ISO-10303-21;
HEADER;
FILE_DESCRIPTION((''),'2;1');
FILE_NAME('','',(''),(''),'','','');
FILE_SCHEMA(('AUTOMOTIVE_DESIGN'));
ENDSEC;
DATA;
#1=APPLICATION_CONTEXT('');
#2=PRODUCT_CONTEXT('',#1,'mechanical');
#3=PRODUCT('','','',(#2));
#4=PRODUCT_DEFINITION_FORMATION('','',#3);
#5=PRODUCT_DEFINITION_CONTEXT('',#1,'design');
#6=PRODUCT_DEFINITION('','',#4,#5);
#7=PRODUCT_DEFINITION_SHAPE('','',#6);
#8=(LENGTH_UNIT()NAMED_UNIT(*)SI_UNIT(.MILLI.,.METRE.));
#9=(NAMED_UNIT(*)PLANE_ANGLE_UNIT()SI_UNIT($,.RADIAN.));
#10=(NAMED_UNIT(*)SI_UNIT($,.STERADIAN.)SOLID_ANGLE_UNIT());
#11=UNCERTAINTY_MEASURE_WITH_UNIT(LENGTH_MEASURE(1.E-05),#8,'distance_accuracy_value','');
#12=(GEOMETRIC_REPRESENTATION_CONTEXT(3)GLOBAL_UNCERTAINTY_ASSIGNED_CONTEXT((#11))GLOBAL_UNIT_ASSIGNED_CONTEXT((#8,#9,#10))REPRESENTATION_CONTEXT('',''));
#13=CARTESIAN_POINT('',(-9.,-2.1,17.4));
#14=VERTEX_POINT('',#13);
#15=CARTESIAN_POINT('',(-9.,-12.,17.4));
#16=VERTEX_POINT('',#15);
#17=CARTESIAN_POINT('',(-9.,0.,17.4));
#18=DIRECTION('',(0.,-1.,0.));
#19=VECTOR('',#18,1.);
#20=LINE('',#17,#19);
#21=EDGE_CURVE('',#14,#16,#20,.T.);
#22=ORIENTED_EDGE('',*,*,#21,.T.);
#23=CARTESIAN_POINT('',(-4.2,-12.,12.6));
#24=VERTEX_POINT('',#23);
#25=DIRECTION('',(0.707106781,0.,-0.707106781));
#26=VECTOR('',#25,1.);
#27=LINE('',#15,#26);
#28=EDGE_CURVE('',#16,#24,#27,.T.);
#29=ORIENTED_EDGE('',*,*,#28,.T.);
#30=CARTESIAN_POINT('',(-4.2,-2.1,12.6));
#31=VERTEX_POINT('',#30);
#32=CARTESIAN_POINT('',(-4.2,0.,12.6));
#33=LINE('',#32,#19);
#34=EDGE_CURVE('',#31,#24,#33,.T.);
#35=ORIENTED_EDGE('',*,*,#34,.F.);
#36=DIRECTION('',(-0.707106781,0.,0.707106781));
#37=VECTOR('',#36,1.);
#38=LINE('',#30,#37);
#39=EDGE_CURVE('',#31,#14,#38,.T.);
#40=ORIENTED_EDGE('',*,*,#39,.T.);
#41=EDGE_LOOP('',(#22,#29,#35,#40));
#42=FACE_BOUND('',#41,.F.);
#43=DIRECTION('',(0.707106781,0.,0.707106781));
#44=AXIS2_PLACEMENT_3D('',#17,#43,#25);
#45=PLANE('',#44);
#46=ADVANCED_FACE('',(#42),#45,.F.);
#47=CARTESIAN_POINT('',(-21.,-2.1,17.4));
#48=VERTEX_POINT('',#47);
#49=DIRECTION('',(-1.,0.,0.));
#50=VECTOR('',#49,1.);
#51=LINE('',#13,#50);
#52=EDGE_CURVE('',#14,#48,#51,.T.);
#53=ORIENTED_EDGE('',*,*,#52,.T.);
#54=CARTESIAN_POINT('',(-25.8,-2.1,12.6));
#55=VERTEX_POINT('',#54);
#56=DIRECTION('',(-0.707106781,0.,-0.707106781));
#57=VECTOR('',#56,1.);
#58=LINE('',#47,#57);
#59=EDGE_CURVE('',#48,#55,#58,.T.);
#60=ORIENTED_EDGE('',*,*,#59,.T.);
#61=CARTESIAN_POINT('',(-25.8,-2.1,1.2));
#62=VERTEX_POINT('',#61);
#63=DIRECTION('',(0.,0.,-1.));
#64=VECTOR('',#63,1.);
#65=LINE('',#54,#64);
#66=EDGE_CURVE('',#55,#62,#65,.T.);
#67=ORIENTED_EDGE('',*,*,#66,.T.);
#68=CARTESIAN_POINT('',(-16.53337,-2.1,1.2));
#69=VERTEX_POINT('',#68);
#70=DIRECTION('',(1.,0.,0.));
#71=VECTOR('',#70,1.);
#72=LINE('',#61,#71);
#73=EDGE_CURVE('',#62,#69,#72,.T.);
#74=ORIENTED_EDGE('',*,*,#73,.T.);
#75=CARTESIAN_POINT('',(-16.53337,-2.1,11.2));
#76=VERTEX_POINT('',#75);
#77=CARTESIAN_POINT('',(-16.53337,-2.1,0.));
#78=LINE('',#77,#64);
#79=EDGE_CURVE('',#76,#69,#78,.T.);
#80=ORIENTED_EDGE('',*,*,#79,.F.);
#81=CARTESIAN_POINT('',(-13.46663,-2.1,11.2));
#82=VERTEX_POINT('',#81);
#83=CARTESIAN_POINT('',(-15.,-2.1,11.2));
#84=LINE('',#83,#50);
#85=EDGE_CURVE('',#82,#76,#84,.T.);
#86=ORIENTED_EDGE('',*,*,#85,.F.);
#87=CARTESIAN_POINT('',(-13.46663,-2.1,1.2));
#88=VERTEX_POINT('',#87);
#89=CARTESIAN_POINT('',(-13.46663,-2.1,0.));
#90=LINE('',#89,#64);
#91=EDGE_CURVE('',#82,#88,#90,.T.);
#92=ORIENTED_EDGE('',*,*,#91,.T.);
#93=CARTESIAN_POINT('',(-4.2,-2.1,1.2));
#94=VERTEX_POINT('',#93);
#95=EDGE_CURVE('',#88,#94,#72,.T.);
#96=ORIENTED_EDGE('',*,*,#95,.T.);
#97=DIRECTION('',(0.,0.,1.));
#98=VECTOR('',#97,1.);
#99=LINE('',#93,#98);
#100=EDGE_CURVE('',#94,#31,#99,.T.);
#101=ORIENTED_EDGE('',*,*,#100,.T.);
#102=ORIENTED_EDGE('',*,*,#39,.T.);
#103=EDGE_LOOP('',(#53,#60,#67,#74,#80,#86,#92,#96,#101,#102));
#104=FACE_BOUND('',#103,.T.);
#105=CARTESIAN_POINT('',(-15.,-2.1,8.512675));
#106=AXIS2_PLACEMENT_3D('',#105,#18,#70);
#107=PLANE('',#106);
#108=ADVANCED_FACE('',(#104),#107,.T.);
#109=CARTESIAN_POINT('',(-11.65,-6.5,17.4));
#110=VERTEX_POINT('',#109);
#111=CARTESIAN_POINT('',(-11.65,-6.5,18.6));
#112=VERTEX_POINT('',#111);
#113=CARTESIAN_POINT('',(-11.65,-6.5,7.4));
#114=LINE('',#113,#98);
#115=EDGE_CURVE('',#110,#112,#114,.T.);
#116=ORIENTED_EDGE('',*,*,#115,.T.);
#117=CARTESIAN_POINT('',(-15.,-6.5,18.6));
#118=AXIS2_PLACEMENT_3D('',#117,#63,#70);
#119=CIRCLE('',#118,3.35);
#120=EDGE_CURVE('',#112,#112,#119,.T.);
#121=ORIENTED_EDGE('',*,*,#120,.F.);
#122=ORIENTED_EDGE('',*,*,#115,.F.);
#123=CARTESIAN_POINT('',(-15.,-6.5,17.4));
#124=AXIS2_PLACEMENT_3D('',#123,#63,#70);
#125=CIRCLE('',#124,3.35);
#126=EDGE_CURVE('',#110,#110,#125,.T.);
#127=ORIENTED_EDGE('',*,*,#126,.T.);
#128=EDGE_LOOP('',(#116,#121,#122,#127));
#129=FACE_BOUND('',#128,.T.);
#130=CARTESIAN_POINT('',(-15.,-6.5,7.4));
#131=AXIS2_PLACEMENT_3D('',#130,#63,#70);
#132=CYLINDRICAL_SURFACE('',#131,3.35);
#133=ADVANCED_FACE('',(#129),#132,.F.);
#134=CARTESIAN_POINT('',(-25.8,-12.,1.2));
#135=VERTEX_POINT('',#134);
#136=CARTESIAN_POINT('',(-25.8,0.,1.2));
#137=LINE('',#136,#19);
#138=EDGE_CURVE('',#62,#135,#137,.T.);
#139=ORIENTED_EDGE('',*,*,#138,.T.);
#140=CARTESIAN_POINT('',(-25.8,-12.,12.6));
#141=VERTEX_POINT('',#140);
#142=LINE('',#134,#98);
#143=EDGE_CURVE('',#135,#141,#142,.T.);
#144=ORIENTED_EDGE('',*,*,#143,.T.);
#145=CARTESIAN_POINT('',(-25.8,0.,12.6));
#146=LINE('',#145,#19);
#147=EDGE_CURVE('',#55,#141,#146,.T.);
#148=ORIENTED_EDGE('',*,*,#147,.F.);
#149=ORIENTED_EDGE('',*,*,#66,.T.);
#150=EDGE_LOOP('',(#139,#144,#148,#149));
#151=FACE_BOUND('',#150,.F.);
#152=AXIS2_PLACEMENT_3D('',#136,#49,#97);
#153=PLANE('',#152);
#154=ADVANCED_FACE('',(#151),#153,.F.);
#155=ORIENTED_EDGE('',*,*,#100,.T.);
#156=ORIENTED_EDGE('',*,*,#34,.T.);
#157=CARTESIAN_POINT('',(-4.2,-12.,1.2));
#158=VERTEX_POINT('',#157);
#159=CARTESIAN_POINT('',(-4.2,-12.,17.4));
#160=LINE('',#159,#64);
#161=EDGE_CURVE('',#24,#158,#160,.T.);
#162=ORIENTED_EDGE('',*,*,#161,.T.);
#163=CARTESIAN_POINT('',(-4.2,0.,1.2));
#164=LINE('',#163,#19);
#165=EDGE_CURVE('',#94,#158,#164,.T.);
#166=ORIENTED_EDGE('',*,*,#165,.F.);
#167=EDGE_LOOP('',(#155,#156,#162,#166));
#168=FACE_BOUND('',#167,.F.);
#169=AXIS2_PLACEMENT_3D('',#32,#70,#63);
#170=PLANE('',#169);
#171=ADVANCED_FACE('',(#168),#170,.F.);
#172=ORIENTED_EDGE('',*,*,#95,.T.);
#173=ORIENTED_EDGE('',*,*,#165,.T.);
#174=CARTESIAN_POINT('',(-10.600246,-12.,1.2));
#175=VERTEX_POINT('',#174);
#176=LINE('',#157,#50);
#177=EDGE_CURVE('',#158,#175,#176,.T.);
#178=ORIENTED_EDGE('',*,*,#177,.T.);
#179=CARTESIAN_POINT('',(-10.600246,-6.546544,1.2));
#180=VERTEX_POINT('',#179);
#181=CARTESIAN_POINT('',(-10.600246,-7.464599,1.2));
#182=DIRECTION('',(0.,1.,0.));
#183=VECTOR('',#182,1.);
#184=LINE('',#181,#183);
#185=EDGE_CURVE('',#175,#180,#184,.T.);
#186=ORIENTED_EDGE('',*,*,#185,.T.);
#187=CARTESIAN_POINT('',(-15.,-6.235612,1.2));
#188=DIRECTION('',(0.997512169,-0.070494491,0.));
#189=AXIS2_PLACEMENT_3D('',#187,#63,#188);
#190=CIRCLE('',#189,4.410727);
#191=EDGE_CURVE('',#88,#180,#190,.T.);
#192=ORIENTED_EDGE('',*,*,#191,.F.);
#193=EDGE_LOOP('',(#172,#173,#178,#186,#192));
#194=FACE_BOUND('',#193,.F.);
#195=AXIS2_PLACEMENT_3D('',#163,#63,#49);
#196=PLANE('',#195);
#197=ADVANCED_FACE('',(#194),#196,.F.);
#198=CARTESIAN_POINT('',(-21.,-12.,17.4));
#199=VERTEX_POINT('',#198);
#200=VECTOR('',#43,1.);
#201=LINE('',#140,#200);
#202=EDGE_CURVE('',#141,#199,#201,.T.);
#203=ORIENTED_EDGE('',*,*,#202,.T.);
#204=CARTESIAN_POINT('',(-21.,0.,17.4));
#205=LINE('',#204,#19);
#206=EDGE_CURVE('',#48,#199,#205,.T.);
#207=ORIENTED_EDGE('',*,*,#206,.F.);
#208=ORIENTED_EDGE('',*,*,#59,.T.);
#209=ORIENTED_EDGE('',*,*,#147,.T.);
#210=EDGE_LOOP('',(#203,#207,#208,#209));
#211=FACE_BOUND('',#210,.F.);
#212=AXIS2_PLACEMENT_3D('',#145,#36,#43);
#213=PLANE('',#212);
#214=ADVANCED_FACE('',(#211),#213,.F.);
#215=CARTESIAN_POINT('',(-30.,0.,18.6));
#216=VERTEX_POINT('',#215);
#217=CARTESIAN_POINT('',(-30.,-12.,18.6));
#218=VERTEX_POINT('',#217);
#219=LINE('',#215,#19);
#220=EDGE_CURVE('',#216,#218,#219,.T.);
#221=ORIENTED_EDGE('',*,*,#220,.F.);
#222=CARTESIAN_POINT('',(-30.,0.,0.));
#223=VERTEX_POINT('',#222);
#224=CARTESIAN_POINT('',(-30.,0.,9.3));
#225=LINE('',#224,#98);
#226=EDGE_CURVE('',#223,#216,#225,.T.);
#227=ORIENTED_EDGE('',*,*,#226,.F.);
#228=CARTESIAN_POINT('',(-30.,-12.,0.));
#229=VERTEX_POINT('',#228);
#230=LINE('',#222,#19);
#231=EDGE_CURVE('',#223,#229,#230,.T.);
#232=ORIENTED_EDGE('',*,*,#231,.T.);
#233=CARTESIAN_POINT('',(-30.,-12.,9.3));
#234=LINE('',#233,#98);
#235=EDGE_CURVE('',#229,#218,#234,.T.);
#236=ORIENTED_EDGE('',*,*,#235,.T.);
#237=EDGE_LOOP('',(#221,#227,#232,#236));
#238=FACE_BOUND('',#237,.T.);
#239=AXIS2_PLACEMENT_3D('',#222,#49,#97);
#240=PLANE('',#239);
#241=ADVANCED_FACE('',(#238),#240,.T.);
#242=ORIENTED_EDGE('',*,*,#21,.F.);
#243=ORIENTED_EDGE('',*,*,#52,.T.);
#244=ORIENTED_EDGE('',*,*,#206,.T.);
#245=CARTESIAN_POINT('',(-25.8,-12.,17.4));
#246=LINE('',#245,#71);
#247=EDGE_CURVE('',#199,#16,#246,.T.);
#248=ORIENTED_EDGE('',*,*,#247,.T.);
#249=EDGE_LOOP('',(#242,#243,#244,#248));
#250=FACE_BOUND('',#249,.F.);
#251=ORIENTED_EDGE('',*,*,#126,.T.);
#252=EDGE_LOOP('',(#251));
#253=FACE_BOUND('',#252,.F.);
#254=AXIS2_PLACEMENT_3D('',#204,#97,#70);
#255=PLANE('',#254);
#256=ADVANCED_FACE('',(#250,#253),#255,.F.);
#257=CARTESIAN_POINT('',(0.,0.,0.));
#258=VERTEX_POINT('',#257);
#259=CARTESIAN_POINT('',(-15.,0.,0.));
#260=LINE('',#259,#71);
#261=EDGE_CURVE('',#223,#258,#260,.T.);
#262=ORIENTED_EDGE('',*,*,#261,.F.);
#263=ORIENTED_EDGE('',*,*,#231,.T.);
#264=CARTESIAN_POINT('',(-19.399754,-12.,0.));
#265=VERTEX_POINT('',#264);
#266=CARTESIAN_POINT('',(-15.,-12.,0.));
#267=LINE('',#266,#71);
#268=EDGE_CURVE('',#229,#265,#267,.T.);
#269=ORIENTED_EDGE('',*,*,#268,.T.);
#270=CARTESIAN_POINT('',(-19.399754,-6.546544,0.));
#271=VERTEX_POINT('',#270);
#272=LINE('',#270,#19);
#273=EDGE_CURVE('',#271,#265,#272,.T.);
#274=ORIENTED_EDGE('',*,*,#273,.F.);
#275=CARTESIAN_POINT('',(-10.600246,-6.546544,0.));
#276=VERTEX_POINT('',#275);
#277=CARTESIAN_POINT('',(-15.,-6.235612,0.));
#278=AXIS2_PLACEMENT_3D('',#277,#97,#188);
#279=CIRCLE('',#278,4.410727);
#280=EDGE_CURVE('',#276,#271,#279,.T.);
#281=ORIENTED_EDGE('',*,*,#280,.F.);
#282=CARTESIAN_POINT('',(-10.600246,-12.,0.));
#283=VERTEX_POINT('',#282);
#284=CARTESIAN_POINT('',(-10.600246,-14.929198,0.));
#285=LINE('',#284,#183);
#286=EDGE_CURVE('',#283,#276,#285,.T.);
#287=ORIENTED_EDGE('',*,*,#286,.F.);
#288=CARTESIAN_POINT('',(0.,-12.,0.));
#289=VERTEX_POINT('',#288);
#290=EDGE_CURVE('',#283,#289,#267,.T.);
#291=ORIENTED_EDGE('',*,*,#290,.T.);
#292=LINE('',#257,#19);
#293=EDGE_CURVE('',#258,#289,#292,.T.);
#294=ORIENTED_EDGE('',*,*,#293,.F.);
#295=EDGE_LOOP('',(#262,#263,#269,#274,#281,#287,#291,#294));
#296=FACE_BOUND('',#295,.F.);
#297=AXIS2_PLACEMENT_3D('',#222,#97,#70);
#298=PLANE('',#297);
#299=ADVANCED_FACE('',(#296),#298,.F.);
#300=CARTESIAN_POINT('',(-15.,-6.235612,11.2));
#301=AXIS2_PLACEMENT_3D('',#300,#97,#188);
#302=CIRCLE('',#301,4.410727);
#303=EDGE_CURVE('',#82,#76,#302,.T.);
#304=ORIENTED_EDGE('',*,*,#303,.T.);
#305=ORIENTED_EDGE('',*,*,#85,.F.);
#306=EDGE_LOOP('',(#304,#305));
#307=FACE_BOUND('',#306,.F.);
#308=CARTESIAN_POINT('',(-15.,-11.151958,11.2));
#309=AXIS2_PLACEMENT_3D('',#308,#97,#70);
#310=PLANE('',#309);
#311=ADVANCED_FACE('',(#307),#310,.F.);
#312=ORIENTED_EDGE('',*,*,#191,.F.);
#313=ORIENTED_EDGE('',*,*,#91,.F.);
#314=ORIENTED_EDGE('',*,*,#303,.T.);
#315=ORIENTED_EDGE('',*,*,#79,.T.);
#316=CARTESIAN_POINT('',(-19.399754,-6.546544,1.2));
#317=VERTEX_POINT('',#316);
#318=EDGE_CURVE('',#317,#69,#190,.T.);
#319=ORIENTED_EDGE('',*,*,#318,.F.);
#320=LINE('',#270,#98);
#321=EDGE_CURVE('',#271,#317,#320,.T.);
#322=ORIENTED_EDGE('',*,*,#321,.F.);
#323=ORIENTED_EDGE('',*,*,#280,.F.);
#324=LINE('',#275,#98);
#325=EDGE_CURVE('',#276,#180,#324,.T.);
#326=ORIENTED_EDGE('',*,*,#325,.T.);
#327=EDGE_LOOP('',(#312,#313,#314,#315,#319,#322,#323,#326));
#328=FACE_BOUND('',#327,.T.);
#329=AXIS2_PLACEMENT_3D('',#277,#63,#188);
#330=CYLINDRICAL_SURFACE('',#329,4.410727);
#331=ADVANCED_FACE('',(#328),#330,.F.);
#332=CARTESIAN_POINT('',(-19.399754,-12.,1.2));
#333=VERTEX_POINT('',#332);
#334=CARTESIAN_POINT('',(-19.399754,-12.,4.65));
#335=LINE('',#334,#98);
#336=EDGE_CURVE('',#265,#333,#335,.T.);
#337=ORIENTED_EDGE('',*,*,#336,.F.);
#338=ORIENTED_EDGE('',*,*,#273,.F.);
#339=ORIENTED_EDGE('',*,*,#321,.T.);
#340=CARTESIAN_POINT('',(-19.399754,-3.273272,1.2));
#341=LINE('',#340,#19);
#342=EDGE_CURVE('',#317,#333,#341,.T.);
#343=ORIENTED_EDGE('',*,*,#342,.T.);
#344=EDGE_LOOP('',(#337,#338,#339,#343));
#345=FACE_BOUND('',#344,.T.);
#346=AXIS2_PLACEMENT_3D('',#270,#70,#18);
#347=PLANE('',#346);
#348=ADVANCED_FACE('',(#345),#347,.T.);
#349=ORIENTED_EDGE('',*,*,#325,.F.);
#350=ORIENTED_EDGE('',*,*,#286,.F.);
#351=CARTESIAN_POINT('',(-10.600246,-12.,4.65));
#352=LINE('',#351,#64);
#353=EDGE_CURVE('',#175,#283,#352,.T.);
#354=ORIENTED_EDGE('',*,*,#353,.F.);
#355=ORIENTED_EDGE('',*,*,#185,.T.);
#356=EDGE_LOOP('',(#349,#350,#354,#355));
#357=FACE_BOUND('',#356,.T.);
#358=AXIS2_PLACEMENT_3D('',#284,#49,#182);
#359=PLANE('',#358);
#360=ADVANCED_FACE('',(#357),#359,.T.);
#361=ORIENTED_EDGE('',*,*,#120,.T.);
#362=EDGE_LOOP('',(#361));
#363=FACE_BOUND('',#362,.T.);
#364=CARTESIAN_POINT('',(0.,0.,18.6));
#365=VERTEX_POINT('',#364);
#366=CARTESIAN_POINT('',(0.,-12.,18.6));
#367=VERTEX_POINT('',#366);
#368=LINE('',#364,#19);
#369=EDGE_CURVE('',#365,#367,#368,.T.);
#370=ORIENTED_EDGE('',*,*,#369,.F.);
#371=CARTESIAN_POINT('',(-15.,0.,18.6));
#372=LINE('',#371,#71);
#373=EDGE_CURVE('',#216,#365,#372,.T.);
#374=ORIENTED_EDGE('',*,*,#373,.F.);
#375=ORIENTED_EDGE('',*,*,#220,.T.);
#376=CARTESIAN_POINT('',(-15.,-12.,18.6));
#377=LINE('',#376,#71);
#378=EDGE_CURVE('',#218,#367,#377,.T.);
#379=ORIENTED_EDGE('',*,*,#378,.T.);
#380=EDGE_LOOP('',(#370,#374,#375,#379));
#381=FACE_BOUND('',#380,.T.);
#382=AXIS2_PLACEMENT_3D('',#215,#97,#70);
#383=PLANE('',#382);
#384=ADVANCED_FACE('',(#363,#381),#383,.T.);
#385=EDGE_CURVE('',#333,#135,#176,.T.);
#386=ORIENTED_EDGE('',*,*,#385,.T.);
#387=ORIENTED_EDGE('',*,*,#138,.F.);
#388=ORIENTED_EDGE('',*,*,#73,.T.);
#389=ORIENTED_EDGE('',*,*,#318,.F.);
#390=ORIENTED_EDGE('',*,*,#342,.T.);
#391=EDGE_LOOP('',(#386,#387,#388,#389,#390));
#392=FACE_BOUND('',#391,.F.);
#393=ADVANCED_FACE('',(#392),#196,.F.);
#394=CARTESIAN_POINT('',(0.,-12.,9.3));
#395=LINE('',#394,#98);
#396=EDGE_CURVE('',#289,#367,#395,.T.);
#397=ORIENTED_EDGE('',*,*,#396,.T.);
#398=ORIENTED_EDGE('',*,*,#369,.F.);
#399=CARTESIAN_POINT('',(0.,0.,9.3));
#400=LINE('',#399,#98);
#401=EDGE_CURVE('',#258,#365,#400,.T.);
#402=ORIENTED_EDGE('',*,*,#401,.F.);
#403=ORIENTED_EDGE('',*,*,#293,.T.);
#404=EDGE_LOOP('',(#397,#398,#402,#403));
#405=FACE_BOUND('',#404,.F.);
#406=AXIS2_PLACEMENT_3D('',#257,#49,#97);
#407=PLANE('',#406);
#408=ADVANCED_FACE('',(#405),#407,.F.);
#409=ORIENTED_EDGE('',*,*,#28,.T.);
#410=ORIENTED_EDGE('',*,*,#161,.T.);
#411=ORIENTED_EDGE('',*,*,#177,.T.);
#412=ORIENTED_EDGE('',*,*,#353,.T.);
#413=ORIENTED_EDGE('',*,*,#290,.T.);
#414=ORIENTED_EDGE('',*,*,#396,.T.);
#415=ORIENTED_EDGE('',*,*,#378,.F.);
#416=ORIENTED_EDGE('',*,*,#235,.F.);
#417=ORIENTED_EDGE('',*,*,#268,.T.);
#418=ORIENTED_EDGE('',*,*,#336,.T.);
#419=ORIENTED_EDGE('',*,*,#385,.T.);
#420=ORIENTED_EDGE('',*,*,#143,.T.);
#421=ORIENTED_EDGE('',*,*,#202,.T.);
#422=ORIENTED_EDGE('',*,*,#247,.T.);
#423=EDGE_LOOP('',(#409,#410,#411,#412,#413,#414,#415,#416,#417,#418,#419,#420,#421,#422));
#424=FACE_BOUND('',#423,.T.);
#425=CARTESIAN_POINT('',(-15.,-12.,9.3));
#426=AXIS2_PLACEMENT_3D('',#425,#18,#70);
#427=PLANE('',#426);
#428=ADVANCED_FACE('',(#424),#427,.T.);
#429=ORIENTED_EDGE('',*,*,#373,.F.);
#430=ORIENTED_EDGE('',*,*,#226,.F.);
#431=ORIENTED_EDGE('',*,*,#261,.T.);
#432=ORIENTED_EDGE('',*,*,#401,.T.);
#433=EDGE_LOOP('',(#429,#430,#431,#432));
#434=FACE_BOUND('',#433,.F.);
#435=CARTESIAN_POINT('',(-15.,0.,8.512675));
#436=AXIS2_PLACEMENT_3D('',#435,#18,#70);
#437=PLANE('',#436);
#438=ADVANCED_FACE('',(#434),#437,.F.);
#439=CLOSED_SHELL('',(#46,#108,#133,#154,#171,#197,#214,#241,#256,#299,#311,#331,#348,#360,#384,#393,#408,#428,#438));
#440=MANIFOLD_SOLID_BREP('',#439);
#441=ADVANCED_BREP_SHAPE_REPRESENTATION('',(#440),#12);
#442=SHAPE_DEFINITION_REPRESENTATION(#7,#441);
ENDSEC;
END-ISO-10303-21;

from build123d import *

# Parameters (mm, degrees)
F0_W     = 30
F0_H     = 18.6
F1_DEPTH = 12
F3_START = 7.4
F2_R     = 3.35
F3_DEPTH = 27.8
F4_DEPTH = 2.1
F5_DEPTH = 11.2


with BuildPart() as f1:
    # F0 (on Front) → F1 (new body)
    with BuildSketch(Plane.XZ):
        with Locations((-15, 9.3)):
            Rectangle(F0_W, F0_H)
        Polygon((-21, 17.4), (-15, 17.4), (-9, 17.4), (-4.2, 17.4), (-4.2, 12.6), (-4.2, 9.3), (-4.2, 1.2), (-15, 1.2), (-25.8, 1.2), (-25.8, 9.3), (-25.8, 12.6), (-25.8, 17.4), align=None, mode=Mode.SUBTRACT)
        Polygon((-25.8, 12.6), (-21, 17.4), (-25.8, 17.4), align=None)
        Polygon((-4.2, 17.4), (-9, 17.4), (-4.2, 12.6), align=None)
    extrude(amount=F1_DEPTH)

    # F2 (on Top) → F3 (cut)
    with BuildSketch(Plane.XY.offset(F3_START)):
        with Locations((-15, -6.5)):
            Circle(F2_R)
    extrude(amount=F3_DEPTH, mode=Mode.SUBTRACT)

    # F0 (on Front) → F4 (join)
    with BuildSketch(Plane.XZ):
        Polygon((-9, 17.4), (-15, 17.4), (-21, 17.4), (-25.8, 12.6), (-25.8, 9.3), (-25.8, 1.2), (-15, 1.2), (-4.2, 1.2), (-4.2, 9.3), (-4.2, 12.6), align=None)
    extrude(amount=F4_DEPTH)

    # F2 (on Top) → F5 (cut)
    with BuildSketch(Plane.XY):
        with BuildLine():
            Line((-19.3997538172, -14.9291978362), (-18.3492293667, -15.2891640001))
            Line((-18.3492293667, -15.2891640001), (-15, -14.3958181143))
            Line((-15, -14.3958181143), (-11.6507706333, -15.2891640001))
            Line((-11.6507706333, -15.2891640001), (-10.6002461828, -14.9291978362))
            Line((-10.6002461828, -14.9291978362), (-10.6002461828, -6.5465440438))
            ThreePointArc((-10.6002461828, -6.5465440438), (-15, -10.9), (-19.3997538172, -6.5465440438))
            Line((-19.3997538172, -6.5465440438), (-19.3997538172, -14.9291978362))
        make_face()
        with BuildLine():
            ThreePointArc((-10.6002461828, -6.5465440438), (-15, -1.8248851289), (-19.3997538172, -6.5465440438))
            ThreePointArc((-19.3997538172, -6.5465440438), (-15.0232723474, -2.1000615461), (-10.6, -6.5))
            ThreePointArc((-10.6, -6.5), (-10.6000615461, -6.5232723474), (-10.6002461828, -6.5465440438))
        make_face()
        with BuildLine():
            ThreePointArc((-10.6, -6.5), (-15.0232723474, -2.1000615461), (-19.3997538172, -6.5465440438))
            ThreePointArc((-19.3997538172, -6.5465440438), (-15, -10.9), (-10.6002461828, -6.5465440438))
            ThreePointArc((-10.6002461828, -6.5465440438), (-10.6000615461, -6.5232723474), (-10.6, -6.5))
        make_face()
        with Locations((-15, -6.5)):
            Circle(F2_R, mode=Mode.SUBTRACT)
        with Locations((-15, -6.5)):
            Circle(F2_R)
    extrude(amount=F5_DEPTH, mode=Mode.SUBTRACT)


solid = f1.part
